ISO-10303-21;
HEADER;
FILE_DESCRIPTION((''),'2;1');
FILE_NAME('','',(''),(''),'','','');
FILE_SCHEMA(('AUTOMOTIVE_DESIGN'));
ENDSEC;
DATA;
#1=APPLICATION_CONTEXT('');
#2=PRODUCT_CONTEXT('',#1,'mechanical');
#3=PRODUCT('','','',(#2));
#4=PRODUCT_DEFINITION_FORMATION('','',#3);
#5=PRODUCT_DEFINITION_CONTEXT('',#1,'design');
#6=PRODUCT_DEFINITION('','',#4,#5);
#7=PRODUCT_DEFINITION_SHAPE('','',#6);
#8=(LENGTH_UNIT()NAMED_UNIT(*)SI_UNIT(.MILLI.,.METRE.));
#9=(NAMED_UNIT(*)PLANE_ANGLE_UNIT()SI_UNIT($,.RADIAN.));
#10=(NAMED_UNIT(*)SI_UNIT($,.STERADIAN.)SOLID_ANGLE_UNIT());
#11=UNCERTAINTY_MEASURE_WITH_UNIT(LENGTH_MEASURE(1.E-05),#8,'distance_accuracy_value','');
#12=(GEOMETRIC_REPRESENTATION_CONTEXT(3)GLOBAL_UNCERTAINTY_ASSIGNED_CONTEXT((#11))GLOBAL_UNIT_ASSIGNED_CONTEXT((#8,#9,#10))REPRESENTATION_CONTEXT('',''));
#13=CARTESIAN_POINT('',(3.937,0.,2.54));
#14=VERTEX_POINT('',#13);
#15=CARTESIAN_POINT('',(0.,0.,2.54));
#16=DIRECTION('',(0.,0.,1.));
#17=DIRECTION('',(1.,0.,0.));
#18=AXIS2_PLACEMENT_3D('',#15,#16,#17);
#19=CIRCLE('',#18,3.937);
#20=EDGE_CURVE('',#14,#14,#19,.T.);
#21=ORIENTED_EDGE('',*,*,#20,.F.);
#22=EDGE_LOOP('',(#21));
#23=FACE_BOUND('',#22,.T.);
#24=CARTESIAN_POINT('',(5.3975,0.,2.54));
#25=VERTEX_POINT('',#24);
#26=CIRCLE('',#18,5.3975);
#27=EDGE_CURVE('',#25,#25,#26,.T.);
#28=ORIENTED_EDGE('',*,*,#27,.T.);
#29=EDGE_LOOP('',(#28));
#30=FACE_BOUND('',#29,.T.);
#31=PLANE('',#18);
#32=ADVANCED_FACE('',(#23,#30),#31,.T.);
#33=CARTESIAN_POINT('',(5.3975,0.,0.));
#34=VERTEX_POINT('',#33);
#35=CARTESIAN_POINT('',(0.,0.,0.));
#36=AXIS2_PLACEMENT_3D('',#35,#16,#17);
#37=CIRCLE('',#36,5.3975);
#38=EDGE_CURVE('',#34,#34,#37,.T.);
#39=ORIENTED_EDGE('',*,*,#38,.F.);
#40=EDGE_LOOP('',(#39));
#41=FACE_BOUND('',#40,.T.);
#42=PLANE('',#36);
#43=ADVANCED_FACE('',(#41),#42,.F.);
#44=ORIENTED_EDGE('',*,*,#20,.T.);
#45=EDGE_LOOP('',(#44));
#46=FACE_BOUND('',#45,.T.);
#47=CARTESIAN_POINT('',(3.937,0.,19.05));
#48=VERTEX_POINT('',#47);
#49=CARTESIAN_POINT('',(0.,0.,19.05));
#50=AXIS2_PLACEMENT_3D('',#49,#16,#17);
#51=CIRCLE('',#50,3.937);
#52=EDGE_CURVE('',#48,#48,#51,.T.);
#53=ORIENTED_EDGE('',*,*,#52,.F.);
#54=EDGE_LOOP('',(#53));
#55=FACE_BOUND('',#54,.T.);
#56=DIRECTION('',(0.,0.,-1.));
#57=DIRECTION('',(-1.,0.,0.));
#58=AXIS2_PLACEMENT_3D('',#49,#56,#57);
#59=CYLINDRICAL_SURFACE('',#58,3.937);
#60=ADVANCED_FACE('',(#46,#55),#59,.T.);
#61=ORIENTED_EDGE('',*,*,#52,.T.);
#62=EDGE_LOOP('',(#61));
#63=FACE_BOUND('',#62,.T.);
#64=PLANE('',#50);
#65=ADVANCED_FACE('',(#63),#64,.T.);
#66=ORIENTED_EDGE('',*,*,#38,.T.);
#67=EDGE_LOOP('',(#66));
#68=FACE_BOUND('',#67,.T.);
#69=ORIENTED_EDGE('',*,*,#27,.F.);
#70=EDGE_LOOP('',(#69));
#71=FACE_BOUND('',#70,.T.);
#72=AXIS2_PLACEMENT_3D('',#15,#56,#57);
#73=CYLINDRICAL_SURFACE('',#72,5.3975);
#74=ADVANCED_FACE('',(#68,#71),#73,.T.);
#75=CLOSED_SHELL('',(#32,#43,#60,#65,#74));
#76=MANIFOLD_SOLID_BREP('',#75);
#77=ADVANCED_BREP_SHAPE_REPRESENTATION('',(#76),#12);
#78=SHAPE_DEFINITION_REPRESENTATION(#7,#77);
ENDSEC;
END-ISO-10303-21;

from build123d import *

# Parameters (mm, degrees)
SKETCH2_R           = 5.3975
BOSS_EXTRUDE1_DEPTH = 2.54
SKETCH3_R           = 3.937
BOSS_EXTRUDE3_DEPTH = 16.51


with BuildPart() as part:
    # Sketch2 → Boss-Extrude1 (new body)
    with BuildSketch(Plane.XY):
        Circle(SKETCH2_R)
    extrude(amount=BOSS_EXTRUDE1_DEPTH)

    # Sketch3 → Boss-Extrude3 (add)
    with BuildSketch(Plane.XY.offset(2.54)):
        Circle(SKETCH3_R)
    extrude(amount=BOSS_EXTRUDE3_DEPTH)


solid = part.part
